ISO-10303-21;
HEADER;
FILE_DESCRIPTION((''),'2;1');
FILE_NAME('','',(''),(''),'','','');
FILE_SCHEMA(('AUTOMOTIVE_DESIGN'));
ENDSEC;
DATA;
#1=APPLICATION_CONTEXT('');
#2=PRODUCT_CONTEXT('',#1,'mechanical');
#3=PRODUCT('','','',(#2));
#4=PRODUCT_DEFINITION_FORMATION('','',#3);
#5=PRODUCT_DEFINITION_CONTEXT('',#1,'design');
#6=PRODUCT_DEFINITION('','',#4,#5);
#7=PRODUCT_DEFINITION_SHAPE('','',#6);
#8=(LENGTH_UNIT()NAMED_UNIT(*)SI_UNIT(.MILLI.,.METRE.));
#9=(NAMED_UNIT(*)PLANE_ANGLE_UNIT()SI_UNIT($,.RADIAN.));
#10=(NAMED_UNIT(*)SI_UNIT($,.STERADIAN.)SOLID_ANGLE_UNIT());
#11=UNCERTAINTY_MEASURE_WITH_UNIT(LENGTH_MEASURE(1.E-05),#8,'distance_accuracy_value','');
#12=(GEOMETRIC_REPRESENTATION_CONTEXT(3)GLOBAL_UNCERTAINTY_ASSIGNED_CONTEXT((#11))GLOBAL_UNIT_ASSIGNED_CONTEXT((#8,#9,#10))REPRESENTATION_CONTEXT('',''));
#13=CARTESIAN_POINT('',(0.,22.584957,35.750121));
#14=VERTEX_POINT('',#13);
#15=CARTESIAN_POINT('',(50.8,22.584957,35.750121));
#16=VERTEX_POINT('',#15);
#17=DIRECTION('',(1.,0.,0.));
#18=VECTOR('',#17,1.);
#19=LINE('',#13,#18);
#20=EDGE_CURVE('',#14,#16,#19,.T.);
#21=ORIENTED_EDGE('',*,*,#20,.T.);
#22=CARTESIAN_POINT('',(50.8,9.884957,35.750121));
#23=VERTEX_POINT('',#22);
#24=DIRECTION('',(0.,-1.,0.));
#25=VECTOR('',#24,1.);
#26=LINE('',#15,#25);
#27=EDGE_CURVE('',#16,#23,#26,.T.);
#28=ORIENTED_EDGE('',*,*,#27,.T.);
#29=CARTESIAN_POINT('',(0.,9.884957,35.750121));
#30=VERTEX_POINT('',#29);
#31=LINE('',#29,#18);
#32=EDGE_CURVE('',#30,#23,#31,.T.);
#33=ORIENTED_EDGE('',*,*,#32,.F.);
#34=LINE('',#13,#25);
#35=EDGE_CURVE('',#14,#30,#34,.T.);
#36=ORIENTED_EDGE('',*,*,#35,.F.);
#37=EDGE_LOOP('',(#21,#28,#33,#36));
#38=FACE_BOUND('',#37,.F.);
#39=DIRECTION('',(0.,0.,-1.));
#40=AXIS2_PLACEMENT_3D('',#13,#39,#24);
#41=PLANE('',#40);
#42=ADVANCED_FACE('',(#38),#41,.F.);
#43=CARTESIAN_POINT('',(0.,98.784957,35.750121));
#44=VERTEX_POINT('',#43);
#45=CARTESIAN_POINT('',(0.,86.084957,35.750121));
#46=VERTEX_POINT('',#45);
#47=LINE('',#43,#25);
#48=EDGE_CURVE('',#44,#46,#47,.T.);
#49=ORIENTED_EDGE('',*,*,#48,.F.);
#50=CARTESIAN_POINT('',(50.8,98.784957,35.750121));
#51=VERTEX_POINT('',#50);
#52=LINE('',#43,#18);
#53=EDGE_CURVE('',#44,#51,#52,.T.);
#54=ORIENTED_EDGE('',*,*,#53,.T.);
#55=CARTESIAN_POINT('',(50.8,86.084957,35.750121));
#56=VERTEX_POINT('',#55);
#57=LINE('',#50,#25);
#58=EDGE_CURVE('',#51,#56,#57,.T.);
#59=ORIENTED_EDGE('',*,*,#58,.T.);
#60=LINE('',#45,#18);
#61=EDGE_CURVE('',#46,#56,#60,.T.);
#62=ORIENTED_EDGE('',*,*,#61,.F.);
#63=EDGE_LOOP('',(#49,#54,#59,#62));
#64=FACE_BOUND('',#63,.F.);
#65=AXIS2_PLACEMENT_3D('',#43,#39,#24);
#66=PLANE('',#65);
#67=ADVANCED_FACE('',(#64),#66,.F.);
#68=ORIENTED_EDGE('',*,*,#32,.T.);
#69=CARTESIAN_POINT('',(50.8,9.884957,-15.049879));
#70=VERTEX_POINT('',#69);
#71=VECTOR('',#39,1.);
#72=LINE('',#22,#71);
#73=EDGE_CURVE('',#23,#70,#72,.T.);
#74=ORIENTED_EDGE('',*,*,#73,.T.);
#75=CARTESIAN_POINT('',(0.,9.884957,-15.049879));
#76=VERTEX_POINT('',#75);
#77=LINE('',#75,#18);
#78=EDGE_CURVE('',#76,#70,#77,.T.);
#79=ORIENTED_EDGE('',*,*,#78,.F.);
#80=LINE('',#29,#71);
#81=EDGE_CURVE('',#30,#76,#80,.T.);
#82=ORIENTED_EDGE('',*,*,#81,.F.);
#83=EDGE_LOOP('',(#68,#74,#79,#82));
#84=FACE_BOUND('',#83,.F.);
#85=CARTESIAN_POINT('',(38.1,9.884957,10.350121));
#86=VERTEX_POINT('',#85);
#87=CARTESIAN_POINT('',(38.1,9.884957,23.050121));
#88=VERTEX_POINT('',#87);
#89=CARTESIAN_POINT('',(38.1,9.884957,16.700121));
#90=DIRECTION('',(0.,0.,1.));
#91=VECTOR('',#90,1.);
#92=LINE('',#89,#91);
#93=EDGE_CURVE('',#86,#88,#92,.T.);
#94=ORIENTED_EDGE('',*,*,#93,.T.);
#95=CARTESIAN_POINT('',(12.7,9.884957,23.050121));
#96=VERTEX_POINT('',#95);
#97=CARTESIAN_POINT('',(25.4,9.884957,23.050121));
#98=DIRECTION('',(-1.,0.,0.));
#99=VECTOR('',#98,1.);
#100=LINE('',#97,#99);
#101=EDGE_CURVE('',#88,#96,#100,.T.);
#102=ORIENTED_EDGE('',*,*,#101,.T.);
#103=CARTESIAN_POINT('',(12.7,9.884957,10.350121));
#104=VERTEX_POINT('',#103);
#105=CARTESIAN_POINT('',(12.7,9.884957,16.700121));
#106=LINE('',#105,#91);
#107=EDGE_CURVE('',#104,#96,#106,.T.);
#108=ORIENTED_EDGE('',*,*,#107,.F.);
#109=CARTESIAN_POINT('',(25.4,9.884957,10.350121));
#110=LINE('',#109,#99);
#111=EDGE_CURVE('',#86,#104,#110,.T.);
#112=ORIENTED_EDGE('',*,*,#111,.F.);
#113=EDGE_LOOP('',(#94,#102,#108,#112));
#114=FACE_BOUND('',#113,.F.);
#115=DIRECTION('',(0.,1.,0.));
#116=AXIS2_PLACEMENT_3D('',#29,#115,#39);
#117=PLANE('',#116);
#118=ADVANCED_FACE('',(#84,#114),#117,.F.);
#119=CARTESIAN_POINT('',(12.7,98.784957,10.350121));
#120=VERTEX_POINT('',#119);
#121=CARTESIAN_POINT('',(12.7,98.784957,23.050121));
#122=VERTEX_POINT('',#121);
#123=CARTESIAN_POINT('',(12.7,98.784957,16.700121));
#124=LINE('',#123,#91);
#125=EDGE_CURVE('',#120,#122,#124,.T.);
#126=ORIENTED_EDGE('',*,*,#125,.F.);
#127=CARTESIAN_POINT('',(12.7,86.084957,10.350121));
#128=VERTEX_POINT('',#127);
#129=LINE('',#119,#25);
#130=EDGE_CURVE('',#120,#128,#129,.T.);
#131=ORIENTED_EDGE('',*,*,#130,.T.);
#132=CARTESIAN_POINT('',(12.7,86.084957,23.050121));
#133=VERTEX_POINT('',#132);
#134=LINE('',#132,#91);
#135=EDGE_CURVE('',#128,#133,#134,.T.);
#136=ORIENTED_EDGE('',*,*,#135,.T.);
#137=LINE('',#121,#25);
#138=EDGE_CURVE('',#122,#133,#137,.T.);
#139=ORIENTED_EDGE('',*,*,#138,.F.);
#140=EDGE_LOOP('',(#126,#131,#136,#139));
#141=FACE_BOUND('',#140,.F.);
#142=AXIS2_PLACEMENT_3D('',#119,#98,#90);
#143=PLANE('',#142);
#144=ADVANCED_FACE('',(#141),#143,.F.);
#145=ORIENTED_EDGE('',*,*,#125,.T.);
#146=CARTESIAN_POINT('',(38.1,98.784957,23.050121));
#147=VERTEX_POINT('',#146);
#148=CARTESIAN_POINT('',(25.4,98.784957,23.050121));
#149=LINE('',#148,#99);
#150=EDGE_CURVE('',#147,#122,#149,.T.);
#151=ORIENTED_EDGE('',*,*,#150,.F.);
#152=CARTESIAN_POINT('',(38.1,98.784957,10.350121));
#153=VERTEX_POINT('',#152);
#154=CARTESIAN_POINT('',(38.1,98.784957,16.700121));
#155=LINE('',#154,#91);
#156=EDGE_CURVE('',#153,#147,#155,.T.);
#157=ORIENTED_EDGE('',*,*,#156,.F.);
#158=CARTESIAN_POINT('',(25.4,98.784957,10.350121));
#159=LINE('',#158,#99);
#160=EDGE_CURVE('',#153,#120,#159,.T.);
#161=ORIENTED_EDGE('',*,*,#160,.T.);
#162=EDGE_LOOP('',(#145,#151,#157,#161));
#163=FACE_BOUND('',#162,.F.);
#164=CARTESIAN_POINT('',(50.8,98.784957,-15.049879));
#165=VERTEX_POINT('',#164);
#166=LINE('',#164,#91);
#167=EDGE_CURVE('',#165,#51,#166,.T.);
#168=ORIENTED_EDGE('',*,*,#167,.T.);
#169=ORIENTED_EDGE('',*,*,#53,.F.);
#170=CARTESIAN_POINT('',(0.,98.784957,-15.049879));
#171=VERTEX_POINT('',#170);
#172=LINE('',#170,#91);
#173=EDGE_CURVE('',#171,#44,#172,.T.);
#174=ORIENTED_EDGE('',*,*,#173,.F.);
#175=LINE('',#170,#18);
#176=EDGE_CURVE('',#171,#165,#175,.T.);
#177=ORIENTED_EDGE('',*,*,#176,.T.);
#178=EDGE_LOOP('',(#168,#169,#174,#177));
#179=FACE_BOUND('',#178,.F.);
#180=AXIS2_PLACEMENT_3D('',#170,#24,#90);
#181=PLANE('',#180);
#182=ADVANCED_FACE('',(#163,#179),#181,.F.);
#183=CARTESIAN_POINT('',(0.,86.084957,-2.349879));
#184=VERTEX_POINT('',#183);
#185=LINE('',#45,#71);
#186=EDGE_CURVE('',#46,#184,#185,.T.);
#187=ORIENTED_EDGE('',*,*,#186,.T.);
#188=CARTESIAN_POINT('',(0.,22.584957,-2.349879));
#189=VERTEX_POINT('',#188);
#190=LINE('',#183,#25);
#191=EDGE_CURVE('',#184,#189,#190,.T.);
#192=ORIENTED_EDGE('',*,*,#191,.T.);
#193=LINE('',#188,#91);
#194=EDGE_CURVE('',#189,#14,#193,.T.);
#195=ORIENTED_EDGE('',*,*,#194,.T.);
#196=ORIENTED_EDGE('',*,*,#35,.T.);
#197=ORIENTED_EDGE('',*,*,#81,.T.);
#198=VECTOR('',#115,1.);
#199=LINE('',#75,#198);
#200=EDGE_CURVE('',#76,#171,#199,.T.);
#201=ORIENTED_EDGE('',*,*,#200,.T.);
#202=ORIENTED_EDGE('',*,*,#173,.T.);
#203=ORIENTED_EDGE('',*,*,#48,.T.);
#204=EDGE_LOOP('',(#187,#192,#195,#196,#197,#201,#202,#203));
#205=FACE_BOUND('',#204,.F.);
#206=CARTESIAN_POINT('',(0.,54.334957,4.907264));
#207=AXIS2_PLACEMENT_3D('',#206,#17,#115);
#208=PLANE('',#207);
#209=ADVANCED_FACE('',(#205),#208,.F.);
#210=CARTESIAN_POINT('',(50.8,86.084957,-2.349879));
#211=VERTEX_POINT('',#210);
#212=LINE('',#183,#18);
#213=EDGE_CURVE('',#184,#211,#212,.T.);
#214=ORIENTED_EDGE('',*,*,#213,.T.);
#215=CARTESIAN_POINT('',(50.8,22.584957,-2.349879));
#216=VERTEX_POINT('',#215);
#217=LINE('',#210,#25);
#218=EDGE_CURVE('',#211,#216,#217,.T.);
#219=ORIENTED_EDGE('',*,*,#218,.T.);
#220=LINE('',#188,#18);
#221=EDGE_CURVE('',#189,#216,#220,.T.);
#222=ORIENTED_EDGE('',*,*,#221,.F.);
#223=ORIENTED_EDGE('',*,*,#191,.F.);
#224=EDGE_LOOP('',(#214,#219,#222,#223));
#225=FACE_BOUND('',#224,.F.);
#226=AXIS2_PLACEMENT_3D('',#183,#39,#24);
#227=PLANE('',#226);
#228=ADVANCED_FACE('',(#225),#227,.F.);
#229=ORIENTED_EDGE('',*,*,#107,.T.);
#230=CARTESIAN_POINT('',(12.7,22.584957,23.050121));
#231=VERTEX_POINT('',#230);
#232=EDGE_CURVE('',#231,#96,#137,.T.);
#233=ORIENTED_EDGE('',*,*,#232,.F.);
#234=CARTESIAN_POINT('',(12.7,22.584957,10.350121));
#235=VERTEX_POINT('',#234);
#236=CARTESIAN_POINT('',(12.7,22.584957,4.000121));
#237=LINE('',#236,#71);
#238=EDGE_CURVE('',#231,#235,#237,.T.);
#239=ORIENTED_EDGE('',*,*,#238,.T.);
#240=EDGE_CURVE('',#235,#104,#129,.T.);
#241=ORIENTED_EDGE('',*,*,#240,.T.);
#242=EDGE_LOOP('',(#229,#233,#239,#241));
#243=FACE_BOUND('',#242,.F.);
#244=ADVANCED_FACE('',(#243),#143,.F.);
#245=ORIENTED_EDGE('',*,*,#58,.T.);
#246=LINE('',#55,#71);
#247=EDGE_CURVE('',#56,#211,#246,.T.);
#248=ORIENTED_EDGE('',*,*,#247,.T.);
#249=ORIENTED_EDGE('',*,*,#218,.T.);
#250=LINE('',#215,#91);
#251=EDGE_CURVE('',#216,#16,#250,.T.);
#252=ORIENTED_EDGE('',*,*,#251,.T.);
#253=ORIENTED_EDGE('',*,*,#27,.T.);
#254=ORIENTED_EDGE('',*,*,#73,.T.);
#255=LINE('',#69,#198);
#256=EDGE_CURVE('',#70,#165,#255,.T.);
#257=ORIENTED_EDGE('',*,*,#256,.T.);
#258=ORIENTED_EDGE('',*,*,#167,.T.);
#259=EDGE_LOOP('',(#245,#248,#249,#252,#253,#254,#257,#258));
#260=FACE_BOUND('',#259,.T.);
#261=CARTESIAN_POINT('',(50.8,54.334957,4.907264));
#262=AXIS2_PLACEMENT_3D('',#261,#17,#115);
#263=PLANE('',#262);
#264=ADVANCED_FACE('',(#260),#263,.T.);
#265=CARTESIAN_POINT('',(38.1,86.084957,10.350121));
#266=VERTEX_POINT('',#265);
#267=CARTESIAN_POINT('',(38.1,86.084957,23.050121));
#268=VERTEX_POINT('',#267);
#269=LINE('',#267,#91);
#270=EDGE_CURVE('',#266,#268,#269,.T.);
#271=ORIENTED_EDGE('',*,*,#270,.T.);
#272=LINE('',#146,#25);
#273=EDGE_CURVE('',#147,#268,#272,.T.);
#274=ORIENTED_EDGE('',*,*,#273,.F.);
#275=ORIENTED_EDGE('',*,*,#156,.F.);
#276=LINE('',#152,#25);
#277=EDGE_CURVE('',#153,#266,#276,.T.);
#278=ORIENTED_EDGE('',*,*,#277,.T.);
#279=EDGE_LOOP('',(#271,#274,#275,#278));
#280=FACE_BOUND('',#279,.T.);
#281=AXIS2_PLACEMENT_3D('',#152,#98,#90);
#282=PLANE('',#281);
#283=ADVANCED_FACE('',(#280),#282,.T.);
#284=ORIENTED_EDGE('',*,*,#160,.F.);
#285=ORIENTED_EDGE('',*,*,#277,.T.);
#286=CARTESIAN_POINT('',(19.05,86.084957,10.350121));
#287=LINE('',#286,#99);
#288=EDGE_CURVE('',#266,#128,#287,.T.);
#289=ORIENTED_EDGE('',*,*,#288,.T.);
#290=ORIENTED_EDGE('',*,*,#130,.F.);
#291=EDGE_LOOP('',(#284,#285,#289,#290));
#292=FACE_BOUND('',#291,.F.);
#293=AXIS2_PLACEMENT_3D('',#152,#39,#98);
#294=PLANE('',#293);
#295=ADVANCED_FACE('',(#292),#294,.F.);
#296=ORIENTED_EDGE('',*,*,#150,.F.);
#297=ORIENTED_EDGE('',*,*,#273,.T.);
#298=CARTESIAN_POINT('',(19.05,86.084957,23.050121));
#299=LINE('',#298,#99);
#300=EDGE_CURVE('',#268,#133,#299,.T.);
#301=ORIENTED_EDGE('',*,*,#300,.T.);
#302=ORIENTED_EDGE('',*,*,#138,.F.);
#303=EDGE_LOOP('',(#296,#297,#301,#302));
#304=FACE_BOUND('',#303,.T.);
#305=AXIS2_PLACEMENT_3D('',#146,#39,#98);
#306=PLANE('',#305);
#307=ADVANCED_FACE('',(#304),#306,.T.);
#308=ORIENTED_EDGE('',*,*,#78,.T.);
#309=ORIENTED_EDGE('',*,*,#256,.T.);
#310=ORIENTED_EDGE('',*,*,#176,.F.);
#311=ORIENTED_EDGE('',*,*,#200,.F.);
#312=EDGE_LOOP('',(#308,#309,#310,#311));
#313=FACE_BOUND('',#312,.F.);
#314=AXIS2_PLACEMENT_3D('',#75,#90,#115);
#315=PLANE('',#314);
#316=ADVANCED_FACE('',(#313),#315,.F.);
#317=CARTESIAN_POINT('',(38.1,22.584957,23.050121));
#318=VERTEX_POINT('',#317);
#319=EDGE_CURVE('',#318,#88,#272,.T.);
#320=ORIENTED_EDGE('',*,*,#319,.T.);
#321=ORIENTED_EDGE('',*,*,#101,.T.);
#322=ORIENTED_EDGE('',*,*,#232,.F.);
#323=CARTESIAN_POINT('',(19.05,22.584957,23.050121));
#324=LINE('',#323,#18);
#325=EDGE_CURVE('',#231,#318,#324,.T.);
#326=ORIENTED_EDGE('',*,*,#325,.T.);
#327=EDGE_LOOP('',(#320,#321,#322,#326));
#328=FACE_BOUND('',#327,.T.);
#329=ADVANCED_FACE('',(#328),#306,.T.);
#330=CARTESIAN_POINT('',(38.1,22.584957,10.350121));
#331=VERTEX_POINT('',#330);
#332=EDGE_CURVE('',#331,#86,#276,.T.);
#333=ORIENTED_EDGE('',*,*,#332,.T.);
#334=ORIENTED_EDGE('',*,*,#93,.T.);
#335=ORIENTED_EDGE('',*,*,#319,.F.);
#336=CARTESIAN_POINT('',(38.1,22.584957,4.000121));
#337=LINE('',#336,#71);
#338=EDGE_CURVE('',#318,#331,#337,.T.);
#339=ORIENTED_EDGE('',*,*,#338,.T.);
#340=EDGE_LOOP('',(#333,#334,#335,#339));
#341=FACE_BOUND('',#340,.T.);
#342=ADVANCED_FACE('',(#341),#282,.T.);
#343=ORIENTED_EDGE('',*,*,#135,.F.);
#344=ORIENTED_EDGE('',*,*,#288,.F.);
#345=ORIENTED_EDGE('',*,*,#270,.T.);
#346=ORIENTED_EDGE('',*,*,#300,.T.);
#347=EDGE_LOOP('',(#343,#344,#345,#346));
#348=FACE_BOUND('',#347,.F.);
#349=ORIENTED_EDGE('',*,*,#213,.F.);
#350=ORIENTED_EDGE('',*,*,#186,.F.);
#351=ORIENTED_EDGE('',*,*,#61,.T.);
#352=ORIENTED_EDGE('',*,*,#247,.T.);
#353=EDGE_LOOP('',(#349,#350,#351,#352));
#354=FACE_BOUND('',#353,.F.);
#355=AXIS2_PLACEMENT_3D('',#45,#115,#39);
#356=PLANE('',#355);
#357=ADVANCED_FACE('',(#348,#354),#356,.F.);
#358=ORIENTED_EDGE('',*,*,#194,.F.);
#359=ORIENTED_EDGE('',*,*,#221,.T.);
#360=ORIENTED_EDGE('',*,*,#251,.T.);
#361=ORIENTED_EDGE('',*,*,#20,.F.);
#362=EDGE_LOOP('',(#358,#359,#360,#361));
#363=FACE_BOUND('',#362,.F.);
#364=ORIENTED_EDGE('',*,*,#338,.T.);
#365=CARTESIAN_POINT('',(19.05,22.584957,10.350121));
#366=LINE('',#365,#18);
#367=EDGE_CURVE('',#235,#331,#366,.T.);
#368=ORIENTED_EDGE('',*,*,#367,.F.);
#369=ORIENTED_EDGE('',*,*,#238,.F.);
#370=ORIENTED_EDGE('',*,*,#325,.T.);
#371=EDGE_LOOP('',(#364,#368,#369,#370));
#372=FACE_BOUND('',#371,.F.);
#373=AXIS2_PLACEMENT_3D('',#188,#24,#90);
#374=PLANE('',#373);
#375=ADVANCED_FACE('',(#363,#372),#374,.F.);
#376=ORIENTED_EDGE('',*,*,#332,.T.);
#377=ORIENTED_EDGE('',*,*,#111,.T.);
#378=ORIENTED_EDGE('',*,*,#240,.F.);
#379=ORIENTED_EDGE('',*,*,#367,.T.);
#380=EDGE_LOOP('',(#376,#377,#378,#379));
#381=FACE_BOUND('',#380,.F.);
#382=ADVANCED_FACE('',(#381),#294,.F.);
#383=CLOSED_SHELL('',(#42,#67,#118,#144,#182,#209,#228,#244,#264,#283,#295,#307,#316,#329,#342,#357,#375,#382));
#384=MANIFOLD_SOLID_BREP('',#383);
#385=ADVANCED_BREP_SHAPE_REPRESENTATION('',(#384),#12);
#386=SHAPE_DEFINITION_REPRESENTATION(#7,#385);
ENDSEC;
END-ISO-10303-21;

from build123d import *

# Parameters (mm, degrees)
F1_DEPTH = 50.8
F2_W     = 25.4
F2_H     = 12.7
F3_DEPTH = 88.9


with BuildPart() as f1:
    # F0 (on Right) → F1 (new body)
    with BuildSketch(Plane.YZ):
        Polygon((98.784957, 35.750121), (86.084957, 35.750121), (86.084957, -2.349879), (22.584957, -2.349879), (22.584957, 35.750121), (9.884957, 35.750121), (9.884957, -15.049879), (22.584957, -15.049879), (86.084957, -15.049879), (98.784957, -15.049879), align=None)
    extrude(amount=F1_DEPTH)

    # F2 (on face) → F3 (cut)
    with BuildSketch(Plane(origin=(0, 98.784957, 0), x_dir=(-1, 0, 0), z_dir=(0, 1, 0))):
        with Locations((-25.4, 16.700121)):
            Rectangle(F2_W, F2_H)
    extrude(amount=-F3_DEPTH, mode=Mode.SUBTRACT)


solid = f1.part
